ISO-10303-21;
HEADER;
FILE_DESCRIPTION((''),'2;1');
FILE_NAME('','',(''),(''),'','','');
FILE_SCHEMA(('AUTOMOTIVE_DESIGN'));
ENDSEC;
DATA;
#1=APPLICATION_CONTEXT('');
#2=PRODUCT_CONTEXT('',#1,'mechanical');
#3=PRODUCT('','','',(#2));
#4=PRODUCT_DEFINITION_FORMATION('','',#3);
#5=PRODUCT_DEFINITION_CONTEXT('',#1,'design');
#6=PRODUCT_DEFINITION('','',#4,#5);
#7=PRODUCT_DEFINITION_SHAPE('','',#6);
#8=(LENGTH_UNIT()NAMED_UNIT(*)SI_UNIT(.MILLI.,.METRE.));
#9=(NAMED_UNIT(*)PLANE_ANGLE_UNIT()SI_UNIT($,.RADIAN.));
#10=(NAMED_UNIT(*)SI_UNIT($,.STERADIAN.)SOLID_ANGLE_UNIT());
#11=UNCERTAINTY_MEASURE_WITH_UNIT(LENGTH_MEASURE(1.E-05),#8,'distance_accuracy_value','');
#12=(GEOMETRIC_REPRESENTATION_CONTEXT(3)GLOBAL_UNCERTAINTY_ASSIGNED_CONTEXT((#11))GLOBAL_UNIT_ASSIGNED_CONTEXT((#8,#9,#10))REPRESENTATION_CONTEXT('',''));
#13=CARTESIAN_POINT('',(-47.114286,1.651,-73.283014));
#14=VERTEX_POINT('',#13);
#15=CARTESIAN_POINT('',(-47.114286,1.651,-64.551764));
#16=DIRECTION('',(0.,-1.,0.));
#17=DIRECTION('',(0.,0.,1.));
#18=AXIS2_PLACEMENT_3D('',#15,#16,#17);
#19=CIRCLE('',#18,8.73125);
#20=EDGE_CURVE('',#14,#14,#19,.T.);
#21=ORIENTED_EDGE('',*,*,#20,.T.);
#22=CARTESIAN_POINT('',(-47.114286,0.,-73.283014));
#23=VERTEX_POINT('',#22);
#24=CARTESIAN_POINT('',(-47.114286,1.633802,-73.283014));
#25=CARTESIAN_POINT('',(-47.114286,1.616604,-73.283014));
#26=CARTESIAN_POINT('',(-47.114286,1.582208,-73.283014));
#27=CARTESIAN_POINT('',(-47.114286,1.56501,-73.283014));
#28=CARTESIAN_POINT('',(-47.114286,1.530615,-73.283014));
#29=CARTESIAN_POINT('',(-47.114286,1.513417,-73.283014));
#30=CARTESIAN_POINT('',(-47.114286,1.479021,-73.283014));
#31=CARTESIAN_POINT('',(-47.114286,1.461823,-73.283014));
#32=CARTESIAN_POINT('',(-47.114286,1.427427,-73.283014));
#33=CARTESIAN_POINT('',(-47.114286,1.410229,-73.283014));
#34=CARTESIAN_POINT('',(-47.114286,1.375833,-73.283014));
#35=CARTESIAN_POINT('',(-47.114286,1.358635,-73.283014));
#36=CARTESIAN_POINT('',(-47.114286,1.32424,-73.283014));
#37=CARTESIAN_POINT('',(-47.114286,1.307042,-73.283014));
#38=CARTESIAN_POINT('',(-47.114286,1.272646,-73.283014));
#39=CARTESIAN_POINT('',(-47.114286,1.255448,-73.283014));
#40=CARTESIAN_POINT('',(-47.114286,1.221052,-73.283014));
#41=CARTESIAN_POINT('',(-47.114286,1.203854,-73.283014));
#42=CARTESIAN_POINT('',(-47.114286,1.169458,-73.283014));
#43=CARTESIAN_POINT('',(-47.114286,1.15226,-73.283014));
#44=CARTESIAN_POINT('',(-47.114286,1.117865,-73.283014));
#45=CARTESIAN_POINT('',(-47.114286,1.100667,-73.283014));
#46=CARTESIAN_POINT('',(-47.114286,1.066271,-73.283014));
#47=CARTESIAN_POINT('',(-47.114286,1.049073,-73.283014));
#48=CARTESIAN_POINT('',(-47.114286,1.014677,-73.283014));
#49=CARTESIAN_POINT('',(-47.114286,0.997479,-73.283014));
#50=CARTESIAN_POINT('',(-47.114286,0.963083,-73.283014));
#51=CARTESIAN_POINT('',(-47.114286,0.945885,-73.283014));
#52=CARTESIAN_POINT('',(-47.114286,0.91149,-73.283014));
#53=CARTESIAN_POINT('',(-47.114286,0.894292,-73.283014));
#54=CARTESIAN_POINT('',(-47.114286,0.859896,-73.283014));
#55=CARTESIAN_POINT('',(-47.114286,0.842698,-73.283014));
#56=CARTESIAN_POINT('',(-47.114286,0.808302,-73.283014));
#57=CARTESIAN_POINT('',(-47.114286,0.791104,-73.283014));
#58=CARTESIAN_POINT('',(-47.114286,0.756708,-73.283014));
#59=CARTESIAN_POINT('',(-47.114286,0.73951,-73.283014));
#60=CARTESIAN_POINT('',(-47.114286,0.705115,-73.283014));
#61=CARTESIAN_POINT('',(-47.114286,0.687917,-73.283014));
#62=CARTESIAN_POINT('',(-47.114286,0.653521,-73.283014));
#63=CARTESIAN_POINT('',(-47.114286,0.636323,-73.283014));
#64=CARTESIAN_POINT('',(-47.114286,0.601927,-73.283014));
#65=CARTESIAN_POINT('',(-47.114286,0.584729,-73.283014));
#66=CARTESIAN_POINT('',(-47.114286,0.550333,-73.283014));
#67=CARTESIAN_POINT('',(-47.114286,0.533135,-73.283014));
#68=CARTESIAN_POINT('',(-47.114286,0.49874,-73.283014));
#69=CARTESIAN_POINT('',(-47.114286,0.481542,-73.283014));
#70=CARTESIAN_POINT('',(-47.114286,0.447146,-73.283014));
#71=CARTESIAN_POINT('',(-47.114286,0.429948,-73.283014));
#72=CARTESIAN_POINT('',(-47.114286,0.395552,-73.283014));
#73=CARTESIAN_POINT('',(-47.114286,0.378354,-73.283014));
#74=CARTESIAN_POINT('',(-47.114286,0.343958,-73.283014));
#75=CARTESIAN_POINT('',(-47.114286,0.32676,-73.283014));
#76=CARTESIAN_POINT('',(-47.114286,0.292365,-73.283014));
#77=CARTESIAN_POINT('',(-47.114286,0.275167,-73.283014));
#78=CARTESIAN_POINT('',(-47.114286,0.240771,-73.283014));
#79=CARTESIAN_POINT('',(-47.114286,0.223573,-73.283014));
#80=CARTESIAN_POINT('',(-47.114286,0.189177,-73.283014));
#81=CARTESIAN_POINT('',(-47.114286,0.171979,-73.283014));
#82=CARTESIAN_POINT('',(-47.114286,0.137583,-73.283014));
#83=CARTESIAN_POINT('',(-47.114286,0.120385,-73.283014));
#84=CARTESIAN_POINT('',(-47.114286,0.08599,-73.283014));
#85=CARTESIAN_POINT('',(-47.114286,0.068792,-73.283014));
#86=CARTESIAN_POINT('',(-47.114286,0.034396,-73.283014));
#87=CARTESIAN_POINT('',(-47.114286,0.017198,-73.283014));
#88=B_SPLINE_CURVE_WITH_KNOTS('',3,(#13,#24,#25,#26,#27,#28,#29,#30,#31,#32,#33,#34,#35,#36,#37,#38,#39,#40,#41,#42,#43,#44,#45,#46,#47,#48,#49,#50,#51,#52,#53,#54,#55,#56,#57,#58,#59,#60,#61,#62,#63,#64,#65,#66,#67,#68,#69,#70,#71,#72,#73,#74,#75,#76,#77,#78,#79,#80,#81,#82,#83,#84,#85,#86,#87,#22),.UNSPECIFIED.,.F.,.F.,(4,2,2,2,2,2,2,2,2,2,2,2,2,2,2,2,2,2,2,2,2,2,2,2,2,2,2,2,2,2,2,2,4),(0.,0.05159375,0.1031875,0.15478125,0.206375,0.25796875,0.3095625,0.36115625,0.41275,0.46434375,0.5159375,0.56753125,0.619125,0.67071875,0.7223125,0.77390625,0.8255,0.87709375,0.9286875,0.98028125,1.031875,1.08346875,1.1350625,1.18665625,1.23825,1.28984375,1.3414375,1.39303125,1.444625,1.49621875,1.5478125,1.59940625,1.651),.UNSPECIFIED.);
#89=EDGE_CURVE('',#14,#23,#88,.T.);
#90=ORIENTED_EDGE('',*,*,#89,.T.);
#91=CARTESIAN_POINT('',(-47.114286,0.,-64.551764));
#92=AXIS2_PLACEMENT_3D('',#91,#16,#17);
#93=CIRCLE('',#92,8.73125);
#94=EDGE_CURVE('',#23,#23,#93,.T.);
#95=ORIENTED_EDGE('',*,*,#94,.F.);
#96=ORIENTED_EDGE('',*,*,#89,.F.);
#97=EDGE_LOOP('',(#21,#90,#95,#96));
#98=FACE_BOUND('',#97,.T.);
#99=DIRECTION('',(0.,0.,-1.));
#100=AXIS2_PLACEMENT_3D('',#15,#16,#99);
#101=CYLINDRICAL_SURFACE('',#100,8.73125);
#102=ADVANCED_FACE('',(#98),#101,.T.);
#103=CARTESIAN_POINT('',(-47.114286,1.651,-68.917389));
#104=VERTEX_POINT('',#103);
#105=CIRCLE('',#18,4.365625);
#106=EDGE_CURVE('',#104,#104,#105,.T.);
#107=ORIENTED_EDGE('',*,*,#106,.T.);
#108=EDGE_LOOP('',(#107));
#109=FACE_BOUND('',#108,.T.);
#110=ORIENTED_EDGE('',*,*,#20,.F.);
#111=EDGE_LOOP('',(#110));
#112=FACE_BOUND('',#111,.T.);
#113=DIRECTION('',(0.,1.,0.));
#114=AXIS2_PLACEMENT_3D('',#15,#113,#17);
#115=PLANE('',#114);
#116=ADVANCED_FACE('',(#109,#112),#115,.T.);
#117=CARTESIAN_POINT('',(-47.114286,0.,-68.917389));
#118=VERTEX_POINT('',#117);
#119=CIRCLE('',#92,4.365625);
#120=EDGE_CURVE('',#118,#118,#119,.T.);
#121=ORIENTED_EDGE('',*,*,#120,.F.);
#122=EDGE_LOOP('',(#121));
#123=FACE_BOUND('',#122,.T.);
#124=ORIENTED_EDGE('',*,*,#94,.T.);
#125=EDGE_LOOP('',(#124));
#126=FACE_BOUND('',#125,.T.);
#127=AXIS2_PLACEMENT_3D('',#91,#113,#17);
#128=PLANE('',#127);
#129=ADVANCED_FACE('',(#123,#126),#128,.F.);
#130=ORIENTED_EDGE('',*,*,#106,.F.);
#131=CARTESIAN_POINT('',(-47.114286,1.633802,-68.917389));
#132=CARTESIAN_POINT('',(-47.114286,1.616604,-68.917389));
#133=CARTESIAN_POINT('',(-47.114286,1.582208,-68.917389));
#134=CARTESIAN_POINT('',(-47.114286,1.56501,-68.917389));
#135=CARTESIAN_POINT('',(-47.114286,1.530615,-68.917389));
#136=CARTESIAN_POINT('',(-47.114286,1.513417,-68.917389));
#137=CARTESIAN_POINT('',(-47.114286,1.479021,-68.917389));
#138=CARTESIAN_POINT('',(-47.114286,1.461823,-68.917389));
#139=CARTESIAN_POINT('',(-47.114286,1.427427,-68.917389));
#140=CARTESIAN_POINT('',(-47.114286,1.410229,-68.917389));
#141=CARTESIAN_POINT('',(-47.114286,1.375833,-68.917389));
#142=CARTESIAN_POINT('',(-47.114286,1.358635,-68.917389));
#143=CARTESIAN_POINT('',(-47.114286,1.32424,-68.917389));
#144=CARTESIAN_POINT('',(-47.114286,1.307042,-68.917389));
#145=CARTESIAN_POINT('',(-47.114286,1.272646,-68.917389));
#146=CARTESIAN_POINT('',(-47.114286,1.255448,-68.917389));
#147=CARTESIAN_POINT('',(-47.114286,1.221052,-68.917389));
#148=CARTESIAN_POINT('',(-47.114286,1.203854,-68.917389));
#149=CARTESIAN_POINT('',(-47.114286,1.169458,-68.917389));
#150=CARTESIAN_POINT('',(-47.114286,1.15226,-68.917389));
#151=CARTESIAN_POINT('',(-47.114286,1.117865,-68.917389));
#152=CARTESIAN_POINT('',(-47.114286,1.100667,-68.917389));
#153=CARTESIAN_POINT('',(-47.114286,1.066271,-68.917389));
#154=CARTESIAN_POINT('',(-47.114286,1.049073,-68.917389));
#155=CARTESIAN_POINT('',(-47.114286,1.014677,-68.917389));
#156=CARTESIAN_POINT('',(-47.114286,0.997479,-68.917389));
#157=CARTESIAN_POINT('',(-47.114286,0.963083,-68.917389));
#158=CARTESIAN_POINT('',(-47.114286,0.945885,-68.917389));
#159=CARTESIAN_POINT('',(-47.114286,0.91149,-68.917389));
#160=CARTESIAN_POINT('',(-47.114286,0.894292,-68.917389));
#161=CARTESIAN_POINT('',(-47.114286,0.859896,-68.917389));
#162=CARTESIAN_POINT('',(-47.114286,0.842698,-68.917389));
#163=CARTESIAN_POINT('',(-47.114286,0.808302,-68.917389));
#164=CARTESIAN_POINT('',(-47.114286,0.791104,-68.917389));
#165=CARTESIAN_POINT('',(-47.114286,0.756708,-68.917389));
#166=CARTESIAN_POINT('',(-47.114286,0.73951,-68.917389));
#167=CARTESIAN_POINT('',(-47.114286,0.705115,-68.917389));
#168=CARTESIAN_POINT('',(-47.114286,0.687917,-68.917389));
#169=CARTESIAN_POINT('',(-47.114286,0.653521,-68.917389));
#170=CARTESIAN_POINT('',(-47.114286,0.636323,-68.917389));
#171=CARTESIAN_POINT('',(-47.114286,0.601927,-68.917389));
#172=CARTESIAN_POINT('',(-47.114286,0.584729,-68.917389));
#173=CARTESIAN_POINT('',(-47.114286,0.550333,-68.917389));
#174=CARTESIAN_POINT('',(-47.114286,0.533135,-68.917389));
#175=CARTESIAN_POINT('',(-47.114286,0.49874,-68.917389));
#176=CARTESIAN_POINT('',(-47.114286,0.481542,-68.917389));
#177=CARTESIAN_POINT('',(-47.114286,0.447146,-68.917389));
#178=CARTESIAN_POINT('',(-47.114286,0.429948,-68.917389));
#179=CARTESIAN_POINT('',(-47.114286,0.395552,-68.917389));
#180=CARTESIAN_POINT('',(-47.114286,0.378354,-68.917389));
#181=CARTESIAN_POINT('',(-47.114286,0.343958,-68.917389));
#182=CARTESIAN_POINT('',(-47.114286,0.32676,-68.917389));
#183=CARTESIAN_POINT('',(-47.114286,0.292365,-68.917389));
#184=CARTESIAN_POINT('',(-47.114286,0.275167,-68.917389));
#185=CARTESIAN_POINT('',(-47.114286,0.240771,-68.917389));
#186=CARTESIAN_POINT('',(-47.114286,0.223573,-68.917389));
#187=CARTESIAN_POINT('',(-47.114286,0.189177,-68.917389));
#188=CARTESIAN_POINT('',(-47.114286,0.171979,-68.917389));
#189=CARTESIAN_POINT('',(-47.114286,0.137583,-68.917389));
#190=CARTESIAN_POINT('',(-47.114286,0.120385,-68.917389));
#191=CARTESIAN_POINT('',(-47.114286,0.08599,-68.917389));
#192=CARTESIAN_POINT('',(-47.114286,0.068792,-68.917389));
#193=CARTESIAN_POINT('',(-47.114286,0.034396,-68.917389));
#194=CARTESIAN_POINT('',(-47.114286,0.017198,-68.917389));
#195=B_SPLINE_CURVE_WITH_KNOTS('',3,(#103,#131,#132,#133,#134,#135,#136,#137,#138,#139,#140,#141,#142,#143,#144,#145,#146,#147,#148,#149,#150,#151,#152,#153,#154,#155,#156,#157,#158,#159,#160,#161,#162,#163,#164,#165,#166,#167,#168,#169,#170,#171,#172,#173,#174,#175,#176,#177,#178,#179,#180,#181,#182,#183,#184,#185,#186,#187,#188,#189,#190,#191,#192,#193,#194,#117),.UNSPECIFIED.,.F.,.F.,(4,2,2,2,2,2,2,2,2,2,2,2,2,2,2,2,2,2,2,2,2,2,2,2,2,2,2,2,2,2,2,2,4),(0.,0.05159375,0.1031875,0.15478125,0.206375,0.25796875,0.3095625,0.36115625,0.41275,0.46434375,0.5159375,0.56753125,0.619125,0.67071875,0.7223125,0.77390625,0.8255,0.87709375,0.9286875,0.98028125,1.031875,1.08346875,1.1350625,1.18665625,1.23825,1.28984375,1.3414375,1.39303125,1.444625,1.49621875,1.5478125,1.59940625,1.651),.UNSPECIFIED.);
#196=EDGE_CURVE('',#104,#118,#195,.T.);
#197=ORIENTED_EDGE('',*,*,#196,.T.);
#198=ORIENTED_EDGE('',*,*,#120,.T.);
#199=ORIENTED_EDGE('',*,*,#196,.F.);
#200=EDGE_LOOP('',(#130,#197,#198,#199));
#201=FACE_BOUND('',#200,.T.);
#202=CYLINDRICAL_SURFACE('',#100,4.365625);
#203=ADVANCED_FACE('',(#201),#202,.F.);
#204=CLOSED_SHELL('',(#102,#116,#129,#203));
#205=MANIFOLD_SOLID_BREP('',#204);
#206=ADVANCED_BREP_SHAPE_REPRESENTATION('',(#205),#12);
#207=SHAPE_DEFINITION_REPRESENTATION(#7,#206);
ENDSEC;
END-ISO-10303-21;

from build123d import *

# Parameters (mm, degrees)
SKETCH1_R           = 8.73125
SKETCH1_R_2         = 4.365625
BOSS_EXTRUDE1_DEPTH = 1.651


with BuildPart() as part:
    # Sketch1 → Boss-Extrude1 (new body)
    with BuildSketch(Plane.XZ):
        with Locations((-47.114286423, -64.551763535)):
            Circle(SKETCH1_R)
        with Locations((-47.114286423, -64.551763535)):
            Circle(SKETCH1_R_2, mode=Mode.SUBTRACT)
    extrude(amount=-BOSS_EXTRUDE1_DEPTH)


solid = part.part
